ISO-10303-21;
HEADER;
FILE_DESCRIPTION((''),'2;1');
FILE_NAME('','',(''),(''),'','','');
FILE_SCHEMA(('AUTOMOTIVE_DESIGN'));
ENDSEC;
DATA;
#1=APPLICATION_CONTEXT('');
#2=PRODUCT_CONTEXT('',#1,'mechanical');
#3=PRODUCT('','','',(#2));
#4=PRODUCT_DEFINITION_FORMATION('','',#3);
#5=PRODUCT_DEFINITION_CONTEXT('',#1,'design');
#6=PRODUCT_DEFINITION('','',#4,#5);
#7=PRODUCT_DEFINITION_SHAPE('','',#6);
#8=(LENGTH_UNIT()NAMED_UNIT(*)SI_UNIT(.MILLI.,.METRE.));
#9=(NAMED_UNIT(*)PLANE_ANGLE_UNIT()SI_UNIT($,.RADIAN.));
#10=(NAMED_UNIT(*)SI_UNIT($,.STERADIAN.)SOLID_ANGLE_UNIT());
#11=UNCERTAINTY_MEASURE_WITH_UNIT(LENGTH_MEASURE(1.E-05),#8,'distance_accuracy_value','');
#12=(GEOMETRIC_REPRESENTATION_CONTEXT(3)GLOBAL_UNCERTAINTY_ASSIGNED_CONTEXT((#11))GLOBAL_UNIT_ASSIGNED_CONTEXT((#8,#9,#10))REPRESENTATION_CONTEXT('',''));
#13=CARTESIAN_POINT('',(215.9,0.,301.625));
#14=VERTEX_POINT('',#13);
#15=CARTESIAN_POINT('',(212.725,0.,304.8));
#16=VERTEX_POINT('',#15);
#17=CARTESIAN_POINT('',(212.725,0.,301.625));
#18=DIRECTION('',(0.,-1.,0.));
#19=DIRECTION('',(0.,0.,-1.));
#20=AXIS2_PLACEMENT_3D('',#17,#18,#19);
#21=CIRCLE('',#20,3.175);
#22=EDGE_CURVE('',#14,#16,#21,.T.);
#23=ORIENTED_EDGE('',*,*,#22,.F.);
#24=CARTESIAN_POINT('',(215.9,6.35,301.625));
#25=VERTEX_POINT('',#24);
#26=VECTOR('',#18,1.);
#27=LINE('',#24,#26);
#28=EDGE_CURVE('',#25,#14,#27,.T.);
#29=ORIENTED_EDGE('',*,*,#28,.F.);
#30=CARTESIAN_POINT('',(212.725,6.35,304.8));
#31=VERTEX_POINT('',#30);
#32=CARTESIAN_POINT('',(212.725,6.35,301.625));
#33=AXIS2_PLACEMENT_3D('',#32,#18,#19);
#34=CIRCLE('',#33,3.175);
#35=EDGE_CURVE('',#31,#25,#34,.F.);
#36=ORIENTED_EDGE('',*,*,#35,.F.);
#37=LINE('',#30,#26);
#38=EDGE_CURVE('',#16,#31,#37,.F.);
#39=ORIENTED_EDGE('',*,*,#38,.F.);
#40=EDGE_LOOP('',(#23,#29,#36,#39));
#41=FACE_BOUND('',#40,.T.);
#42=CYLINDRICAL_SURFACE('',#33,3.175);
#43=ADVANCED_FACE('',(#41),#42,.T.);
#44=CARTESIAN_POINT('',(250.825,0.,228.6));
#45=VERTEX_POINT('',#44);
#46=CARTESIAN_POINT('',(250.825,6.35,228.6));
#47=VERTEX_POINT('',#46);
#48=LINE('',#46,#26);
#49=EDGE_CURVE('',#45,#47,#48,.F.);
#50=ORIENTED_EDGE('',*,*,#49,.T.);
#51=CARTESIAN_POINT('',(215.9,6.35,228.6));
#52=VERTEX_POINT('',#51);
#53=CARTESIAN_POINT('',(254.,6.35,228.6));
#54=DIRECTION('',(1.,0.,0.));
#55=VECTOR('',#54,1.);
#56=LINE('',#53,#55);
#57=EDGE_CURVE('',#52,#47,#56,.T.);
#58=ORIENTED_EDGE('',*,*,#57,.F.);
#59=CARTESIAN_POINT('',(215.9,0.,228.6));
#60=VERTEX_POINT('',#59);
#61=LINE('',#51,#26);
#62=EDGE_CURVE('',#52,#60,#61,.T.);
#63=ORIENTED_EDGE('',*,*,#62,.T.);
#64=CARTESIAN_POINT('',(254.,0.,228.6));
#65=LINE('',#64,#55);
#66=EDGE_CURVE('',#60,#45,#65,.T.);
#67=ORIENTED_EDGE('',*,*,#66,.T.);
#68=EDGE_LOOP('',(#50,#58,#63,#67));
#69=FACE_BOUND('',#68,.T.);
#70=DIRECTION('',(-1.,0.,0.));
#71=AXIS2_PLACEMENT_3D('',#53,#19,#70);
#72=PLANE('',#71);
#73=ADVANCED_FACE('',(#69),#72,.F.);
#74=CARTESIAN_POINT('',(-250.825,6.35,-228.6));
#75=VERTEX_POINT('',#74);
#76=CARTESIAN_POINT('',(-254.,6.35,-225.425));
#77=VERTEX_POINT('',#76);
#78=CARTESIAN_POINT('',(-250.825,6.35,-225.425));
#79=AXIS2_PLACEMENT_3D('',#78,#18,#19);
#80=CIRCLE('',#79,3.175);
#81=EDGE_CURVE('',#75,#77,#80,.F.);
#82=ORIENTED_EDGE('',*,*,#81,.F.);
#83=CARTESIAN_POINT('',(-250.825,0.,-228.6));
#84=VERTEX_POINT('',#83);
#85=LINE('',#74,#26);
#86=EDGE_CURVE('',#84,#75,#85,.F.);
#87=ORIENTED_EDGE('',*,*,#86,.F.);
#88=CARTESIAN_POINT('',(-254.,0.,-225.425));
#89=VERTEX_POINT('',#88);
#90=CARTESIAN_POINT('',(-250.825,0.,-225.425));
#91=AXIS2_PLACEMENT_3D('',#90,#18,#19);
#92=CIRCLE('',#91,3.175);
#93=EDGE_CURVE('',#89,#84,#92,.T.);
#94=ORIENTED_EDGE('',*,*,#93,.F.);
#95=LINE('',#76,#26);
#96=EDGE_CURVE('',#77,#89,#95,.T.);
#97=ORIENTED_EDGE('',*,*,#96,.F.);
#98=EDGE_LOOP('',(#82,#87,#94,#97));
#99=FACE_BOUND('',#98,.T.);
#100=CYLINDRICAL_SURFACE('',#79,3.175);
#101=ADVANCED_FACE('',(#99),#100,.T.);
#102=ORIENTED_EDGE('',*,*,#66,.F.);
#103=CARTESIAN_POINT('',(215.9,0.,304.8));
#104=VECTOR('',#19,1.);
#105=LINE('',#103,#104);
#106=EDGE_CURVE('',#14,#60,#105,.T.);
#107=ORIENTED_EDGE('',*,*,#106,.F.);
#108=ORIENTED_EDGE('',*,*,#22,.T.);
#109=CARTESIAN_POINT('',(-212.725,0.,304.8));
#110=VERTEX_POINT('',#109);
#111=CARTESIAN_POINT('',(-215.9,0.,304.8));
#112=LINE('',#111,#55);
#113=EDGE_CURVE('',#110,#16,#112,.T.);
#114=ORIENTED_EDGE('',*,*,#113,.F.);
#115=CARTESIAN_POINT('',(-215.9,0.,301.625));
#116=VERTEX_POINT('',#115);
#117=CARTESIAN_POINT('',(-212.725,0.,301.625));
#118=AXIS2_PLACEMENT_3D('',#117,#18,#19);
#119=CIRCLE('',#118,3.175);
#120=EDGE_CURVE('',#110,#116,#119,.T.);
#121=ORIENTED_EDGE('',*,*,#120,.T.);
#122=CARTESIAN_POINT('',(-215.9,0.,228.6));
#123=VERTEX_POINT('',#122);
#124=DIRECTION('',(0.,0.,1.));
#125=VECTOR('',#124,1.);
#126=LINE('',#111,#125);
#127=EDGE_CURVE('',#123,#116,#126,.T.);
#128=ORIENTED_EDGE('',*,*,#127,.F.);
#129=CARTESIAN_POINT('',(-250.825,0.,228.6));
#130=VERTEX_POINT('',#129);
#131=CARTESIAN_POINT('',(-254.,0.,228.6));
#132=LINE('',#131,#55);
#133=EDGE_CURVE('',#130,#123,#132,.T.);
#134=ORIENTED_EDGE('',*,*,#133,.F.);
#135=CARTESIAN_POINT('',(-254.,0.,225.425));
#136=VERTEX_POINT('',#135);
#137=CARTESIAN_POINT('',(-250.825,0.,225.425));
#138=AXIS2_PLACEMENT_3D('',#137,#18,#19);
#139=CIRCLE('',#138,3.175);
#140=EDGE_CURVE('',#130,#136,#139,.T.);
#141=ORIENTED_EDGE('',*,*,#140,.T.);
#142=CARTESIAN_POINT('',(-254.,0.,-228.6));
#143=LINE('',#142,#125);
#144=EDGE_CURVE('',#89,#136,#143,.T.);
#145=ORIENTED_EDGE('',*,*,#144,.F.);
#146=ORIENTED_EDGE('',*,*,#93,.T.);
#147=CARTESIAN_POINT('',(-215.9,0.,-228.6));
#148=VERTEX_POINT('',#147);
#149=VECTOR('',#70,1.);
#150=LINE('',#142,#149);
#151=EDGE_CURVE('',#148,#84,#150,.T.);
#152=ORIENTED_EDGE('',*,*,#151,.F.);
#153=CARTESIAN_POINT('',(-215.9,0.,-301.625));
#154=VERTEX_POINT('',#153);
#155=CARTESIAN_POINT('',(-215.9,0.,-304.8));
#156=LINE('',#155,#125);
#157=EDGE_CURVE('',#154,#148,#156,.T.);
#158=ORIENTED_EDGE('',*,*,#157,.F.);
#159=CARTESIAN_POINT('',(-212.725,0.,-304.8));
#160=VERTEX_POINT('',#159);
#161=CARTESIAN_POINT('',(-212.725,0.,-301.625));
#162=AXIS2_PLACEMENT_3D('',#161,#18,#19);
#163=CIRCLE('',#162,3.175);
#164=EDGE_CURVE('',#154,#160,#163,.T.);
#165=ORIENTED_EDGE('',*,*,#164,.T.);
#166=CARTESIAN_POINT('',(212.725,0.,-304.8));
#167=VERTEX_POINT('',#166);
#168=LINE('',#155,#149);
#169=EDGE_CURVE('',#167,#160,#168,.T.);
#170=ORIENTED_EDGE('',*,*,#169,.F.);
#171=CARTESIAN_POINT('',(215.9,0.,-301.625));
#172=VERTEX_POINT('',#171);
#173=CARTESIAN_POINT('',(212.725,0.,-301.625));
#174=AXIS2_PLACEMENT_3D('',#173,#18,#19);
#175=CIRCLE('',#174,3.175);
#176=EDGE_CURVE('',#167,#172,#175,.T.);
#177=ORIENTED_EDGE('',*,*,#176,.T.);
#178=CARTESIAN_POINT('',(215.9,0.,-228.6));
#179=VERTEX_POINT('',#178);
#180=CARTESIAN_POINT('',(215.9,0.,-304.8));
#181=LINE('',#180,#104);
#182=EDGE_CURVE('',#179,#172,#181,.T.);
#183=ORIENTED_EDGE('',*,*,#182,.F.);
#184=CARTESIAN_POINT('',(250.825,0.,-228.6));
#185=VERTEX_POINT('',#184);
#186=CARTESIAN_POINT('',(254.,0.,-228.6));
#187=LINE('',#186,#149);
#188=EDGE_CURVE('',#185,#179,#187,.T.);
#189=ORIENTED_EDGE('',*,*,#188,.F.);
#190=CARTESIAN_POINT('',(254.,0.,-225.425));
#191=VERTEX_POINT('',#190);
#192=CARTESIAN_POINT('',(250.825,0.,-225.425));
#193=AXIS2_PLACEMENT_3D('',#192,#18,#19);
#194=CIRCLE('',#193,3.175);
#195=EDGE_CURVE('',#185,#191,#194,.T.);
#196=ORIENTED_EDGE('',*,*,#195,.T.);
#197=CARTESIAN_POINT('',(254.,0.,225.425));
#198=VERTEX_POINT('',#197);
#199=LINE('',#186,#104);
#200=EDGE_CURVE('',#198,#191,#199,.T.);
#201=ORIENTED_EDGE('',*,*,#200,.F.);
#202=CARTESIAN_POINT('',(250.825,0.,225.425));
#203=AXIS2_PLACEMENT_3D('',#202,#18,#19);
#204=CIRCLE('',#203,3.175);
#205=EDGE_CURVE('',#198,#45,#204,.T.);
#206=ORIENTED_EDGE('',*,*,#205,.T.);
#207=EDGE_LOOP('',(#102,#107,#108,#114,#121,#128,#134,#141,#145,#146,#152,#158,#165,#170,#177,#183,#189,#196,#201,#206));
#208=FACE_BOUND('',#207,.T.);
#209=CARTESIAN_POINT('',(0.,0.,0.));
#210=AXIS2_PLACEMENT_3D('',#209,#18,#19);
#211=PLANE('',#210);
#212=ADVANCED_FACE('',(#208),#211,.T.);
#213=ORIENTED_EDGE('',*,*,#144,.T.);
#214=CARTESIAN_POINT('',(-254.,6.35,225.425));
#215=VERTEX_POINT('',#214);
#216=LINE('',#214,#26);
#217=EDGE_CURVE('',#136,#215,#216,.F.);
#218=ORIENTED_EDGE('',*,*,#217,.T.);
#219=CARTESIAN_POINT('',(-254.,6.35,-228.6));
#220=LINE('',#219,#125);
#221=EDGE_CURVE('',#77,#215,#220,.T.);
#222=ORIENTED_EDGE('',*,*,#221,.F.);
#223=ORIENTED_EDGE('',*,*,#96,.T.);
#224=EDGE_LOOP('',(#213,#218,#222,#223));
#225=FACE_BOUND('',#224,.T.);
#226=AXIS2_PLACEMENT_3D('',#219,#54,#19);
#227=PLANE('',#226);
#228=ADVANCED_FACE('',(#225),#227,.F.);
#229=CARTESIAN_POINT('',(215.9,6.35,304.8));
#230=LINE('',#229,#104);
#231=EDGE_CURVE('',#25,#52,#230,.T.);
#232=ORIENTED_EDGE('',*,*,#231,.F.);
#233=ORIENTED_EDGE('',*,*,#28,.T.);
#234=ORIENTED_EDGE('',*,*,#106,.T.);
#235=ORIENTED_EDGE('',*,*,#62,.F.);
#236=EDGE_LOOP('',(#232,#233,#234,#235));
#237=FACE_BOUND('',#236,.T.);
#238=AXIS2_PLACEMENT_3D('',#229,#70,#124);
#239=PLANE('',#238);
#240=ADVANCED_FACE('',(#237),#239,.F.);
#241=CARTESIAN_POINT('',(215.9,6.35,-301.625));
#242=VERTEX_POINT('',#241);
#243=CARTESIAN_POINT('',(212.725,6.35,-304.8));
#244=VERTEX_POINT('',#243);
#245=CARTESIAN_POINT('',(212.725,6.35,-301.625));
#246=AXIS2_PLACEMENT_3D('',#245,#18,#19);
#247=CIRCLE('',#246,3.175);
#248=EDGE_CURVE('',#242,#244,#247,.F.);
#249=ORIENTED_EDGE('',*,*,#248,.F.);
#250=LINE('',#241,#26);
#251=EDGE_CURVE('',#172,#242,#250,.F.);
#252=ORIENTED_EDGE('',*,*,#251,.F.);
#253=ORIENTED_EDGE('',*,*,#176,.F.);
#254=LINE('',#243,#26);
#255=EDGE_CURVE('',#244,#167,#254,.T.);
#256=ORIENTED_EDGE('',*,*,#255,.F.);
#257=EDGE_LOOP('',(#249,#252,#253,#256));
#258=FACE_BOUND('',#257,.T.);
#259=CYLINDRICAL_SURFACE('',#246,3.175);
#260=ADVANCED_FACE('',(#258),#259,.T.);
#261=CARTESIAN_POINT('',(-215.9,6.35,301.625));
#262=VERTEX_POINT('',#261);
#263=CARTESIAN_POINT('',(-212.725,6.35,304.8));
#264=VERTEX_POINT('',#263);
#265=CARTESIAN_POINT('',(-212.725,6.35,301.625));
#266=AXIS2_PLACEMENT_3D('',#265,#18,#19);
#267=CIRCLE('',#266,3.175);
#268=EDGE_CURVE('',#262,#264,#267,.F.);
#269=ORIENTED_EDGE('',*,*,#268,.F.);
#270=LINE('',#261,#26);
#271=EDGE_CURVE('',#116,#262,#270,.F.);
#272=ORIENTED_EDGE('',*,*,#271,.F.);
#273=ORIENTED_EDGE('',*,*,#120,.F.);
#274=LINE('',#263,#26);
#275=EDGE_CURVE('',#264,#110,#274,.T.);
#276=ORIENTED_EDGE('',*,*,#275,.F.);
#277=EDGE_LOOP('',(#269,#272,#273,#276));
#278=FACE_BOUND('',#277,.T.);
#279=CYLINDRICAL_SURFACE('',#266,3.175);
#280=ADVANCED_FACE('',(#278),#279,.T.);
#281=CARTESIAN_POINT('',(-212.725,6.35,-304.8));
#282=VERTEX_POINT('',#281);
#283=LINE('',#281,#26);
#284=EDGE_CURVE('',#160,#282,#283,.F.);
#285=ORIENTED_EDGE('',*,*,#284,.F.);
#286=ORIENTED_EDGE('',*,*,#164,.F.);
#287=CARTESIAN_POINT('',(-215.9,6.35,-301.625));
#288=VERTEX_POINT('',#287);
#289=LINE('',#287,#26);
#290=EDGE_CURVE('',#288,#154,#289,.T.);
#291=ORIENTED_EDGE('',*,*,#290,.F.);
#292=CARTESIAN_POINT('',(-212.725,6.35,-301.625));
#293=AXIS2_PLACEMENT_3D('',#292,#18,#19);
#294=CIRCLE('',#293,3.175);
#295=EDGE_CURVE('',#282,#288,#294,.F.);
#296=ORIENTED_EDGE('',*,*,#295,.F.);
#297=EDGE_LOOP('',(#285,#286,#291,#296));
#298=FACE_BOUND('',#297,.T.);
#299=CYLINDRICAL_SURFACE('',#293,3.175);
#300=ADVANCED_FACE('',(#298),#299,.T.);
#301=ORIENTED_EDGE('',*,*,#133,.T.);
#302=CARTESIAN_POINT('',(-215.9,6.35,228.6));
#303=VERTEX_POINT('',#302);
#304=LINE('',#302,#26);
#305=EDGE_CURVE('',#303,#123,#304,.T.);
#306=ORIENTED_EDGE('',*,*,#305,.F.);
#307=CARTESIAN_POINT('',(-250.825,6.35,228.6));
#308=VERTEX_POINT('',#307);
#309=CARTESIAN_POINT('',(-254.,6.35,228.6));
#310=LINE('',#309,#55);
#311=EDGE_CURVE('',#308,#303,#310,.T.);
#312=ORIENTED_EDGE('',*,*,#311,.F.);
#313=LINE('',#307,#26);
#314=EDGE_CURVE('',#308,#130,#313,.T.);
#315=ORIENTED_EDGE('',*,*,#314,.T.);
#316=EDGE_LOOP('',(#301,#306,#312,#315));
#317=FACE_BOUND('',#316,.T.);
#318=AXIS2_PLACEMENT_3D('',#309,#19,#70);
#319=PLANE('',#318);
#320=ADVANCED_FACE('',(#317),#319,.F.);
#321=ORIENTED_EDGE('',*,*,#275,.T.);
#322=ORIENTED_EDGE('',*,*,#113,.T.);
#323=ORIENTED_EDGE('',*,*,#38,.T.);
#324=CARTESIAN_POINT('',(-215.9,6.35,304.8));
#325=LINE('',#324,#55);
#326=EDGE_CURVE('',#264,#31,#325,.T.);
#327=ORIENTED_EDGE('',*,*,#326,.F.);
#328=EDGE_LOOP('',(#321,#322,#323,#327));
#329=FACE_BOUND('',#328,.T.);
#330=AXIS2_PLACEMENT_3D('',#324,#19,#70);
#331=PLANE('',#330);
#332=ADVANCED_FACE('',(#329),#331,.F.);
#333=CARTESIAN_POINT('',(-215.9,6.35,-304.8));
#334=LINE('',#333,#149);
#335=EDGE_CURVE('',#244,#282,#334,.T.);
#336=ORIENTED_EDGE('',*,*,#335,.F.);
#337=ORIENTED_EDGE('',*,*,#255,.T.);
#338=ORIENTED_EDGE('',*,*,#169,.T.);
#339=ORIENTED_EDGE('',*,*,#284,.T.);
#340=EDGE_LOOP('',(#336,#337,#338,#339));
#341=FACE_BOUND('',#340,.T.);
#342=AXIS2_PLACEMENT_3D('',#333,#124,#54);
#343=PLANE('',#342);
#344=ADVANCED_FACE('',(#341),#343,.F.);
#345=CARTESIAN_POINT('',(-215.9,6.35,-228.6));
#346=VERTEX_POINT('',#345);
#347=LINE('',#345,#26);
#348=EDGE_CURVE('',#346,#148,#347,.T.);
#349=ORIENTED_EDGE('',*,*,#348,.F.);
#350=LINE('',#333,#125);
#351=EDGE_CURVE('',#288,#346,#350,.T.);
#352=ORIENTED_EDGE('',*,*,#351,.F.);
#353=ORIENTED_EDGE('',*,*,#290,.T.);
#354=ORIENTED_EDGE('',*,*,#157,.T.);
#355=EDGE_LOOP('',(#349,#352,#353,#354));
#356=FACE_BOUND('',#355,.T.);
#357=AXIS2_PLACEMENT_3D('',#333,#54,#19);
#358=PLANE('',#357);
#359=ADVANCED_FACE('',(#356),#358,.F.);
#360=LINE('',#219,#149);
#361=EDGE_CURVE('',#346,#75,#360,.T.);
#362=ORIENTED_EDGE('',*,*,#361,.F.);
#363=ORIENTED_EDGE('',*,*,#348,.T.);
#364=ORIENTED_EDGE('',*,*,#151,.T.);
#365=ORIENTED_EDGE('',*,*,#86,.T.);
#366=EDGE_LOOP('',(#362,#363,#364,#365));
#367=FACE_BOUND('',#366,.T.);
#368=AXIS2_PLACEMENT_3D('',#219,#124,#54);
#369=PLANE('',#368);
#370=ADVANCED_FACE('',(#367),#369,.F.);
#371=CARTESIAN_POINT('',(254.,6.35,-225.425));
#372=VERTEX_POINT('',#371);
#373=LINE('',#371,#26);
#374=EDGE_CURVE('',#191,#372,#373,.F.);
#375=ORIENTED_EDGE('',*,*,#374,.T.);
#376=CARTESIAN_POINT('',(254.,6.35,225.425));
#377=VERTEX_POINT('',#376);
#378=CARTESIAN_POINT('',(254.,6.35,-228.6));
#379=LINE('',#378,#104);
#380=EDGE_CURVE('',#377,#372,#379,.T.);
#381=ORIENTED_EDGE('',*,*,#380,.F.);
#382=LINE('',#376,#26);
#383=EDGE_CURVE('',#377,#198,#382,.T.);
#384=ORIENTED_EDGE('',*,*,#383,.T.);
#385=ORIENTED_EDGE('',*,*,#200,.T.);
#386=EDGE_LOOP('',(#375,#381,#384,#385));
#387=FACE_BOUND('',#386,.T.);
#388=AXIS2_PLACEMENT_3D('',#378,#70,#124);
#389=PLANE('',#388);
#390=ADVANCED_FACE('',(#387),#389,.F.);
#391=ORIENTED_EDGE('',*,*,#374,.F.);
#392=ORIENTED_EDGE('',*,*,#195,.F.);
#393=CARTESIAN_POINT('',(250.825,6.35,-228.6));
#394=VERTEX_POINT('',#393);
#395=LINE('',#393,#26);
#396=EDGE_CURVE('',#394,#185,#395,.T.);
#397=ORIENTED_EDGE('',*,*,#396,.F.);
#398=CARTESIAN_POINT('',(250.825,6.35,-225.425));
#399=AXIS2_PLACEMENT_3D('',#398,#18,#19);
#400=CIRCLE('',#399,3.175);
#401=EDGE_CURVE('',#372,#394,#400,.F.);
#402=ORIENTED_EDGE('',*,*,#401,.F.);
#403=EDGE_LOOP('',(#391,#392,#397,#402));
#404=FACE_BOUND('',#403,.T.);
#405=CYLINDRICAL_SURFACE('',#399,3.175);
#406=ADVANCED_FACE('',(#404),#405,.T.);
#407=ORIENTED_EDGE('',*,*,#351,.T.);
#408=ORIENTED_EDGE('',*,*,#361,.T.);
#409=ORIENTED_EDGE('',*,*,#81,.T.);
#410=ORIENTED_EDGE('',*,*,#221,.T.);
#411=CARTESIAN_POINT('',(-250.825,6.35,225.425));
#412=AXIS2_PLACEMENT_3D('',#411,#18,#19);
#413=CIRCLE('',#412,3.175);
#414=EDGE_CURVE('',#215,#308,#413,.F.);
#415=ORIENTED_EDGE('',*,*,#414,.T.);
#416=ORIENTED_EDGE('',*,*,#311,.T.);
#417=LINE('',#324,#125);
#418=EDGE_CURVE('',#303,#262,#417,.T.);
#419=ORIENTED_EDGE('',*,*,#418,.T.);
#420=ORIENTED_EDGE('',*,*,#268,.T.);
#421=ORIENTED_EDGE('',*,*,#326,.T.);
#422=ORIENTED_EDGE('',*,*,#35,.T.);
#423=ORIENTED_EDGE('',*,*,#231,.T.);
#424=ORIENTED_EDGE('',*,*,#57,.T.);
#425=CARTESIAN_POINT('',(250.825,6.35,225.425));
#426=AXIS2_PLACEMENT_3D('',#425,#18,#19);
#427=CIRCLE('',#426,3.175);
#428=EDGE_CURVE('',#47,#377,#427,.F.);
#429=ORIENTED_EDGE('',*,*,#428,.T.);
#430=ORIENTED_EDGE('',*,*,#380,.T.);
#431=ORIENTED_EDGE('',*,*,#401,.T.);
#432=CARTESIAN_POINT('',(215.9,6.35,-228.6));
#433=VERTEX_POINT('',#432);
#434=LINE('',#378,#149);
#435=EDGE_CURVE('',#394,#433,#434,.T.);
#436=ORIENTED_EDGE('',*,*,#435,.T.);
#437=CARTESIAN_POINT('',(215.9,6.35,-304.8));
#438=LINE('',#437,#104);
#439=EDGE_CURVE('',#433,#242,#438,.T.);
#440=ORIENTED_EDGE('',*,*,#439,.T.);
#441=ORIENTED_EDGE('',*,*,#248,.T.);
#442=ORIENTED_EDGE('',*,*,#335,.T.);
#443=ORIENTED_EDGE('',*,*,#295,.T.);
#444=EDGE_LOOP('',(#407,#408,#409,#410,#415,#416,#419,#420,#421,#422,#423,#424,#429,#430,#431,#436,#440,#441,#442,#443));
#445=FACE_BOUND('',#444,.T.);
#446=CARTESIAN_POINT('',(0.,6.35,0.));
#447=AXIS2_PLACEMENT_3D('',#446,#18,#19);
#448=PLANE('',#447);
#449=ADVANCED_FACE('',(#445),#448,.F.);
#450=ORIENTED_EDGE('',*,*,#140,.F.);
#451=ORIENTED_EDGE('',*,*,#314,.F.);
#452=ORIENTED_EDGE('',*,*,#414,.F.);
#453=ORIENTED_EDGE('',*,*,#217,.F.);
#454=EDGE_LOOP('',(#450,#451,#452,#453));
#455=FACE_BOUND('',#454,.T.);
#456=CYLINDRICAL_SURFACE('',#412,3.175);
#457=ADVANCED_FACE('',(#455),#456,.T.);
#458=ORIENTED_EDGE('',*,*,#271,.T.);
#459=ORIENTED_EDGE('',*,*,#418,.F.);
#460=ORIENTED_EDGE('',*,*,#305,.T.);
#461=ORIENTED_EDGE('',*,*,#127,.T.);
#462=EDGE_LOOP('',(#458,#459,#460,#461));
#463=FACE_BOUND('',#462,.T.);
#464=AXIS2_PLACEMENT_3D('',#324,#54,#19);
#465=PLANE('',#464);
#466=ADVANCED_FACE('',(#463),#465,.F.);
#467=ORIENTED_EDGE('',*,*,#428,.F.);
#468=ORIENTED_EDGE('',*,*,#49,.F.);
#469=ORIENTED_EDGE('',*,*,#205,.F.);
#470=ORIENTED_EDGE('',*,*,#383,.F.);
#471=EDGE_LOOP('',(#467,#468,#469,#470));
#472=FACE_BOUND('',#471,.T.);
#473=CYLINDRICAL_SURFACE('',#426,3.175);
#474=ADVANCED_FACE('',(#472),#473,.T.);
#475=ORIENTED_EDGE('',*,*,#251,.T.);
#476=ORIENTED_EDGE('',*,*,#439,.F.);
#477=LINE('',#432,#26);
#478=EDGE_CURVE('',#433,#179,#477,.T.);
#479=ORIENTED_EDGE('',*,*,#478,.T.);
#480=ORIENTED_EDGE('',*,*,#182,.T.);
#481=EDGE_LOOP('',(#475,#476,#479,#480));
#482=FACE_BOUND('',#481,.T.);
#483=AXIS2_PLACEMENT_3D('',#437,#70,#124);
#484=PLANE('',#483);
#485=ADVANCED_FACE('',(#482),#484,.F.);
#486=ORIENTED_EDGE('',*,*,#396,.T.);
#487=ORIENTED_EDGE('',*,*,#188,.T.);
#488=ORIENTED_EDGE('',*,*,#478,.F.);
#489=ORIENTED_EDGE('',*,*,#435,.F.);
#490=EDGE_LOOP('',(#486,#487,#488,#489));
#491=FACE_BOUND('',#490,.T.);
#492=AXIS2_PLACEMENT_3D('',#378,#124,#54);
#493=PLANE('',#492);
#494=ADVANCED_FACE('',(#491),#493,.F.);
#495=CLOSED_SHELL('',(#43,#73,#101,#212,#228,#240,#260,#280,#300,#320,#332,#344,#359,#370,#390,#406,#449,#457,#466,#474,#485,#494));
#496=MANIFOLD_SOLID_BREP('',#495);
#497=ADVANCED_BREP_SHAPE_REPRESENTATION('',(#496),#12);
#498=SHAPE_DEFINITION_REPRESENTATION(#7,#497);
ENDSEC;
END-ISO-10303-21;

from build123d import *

# Parameters (mm, degrees)
BOSS_EXTRUDE1_DEPTH = 6.35
FILLET2_R           = 3.175


with BuildPart() as part:
    # Sketch1 → Boss-Extrude1 (new body)
    with BuildSketch(Plane(origin=(0, 0, 0), x_dir=(1, 0, 0), z_dir=(0, 1, 0))):
        Polygon((-215.9, 304.8), (215.9, 304.8), (215.9, 228.6), (254, 228.6), (254, -228.6), (215.9, -228.6), (215.9, -304.8), (-215.9, -304.8), (-215.9, -228.6), (-254, -228.6), (-254, 228.6), (-215.9, 228.6), align=None)
    extrude(amount=BOSS_EXTRUDE1_DEPTH)

    # Fillet2
    fillet2_edges = [part.edges().sort_by_distance(p)[0] for p in [
        (-254, 3.175, 228.6),
        (-254, 3.175, -228.6),
        (-215.9, 3.175, -304.8),
        (215.9, 3.175, -304.8),
        (254, 3.175, -228.6),
        (254, 3.175, 228.6),
        (215.9, 3.175, 304.8),
        (-215.9, 3.175, 304.8),
    ]]
    fillet(fillet2_edges, radius=FILLET2_R)


solid = part.part
